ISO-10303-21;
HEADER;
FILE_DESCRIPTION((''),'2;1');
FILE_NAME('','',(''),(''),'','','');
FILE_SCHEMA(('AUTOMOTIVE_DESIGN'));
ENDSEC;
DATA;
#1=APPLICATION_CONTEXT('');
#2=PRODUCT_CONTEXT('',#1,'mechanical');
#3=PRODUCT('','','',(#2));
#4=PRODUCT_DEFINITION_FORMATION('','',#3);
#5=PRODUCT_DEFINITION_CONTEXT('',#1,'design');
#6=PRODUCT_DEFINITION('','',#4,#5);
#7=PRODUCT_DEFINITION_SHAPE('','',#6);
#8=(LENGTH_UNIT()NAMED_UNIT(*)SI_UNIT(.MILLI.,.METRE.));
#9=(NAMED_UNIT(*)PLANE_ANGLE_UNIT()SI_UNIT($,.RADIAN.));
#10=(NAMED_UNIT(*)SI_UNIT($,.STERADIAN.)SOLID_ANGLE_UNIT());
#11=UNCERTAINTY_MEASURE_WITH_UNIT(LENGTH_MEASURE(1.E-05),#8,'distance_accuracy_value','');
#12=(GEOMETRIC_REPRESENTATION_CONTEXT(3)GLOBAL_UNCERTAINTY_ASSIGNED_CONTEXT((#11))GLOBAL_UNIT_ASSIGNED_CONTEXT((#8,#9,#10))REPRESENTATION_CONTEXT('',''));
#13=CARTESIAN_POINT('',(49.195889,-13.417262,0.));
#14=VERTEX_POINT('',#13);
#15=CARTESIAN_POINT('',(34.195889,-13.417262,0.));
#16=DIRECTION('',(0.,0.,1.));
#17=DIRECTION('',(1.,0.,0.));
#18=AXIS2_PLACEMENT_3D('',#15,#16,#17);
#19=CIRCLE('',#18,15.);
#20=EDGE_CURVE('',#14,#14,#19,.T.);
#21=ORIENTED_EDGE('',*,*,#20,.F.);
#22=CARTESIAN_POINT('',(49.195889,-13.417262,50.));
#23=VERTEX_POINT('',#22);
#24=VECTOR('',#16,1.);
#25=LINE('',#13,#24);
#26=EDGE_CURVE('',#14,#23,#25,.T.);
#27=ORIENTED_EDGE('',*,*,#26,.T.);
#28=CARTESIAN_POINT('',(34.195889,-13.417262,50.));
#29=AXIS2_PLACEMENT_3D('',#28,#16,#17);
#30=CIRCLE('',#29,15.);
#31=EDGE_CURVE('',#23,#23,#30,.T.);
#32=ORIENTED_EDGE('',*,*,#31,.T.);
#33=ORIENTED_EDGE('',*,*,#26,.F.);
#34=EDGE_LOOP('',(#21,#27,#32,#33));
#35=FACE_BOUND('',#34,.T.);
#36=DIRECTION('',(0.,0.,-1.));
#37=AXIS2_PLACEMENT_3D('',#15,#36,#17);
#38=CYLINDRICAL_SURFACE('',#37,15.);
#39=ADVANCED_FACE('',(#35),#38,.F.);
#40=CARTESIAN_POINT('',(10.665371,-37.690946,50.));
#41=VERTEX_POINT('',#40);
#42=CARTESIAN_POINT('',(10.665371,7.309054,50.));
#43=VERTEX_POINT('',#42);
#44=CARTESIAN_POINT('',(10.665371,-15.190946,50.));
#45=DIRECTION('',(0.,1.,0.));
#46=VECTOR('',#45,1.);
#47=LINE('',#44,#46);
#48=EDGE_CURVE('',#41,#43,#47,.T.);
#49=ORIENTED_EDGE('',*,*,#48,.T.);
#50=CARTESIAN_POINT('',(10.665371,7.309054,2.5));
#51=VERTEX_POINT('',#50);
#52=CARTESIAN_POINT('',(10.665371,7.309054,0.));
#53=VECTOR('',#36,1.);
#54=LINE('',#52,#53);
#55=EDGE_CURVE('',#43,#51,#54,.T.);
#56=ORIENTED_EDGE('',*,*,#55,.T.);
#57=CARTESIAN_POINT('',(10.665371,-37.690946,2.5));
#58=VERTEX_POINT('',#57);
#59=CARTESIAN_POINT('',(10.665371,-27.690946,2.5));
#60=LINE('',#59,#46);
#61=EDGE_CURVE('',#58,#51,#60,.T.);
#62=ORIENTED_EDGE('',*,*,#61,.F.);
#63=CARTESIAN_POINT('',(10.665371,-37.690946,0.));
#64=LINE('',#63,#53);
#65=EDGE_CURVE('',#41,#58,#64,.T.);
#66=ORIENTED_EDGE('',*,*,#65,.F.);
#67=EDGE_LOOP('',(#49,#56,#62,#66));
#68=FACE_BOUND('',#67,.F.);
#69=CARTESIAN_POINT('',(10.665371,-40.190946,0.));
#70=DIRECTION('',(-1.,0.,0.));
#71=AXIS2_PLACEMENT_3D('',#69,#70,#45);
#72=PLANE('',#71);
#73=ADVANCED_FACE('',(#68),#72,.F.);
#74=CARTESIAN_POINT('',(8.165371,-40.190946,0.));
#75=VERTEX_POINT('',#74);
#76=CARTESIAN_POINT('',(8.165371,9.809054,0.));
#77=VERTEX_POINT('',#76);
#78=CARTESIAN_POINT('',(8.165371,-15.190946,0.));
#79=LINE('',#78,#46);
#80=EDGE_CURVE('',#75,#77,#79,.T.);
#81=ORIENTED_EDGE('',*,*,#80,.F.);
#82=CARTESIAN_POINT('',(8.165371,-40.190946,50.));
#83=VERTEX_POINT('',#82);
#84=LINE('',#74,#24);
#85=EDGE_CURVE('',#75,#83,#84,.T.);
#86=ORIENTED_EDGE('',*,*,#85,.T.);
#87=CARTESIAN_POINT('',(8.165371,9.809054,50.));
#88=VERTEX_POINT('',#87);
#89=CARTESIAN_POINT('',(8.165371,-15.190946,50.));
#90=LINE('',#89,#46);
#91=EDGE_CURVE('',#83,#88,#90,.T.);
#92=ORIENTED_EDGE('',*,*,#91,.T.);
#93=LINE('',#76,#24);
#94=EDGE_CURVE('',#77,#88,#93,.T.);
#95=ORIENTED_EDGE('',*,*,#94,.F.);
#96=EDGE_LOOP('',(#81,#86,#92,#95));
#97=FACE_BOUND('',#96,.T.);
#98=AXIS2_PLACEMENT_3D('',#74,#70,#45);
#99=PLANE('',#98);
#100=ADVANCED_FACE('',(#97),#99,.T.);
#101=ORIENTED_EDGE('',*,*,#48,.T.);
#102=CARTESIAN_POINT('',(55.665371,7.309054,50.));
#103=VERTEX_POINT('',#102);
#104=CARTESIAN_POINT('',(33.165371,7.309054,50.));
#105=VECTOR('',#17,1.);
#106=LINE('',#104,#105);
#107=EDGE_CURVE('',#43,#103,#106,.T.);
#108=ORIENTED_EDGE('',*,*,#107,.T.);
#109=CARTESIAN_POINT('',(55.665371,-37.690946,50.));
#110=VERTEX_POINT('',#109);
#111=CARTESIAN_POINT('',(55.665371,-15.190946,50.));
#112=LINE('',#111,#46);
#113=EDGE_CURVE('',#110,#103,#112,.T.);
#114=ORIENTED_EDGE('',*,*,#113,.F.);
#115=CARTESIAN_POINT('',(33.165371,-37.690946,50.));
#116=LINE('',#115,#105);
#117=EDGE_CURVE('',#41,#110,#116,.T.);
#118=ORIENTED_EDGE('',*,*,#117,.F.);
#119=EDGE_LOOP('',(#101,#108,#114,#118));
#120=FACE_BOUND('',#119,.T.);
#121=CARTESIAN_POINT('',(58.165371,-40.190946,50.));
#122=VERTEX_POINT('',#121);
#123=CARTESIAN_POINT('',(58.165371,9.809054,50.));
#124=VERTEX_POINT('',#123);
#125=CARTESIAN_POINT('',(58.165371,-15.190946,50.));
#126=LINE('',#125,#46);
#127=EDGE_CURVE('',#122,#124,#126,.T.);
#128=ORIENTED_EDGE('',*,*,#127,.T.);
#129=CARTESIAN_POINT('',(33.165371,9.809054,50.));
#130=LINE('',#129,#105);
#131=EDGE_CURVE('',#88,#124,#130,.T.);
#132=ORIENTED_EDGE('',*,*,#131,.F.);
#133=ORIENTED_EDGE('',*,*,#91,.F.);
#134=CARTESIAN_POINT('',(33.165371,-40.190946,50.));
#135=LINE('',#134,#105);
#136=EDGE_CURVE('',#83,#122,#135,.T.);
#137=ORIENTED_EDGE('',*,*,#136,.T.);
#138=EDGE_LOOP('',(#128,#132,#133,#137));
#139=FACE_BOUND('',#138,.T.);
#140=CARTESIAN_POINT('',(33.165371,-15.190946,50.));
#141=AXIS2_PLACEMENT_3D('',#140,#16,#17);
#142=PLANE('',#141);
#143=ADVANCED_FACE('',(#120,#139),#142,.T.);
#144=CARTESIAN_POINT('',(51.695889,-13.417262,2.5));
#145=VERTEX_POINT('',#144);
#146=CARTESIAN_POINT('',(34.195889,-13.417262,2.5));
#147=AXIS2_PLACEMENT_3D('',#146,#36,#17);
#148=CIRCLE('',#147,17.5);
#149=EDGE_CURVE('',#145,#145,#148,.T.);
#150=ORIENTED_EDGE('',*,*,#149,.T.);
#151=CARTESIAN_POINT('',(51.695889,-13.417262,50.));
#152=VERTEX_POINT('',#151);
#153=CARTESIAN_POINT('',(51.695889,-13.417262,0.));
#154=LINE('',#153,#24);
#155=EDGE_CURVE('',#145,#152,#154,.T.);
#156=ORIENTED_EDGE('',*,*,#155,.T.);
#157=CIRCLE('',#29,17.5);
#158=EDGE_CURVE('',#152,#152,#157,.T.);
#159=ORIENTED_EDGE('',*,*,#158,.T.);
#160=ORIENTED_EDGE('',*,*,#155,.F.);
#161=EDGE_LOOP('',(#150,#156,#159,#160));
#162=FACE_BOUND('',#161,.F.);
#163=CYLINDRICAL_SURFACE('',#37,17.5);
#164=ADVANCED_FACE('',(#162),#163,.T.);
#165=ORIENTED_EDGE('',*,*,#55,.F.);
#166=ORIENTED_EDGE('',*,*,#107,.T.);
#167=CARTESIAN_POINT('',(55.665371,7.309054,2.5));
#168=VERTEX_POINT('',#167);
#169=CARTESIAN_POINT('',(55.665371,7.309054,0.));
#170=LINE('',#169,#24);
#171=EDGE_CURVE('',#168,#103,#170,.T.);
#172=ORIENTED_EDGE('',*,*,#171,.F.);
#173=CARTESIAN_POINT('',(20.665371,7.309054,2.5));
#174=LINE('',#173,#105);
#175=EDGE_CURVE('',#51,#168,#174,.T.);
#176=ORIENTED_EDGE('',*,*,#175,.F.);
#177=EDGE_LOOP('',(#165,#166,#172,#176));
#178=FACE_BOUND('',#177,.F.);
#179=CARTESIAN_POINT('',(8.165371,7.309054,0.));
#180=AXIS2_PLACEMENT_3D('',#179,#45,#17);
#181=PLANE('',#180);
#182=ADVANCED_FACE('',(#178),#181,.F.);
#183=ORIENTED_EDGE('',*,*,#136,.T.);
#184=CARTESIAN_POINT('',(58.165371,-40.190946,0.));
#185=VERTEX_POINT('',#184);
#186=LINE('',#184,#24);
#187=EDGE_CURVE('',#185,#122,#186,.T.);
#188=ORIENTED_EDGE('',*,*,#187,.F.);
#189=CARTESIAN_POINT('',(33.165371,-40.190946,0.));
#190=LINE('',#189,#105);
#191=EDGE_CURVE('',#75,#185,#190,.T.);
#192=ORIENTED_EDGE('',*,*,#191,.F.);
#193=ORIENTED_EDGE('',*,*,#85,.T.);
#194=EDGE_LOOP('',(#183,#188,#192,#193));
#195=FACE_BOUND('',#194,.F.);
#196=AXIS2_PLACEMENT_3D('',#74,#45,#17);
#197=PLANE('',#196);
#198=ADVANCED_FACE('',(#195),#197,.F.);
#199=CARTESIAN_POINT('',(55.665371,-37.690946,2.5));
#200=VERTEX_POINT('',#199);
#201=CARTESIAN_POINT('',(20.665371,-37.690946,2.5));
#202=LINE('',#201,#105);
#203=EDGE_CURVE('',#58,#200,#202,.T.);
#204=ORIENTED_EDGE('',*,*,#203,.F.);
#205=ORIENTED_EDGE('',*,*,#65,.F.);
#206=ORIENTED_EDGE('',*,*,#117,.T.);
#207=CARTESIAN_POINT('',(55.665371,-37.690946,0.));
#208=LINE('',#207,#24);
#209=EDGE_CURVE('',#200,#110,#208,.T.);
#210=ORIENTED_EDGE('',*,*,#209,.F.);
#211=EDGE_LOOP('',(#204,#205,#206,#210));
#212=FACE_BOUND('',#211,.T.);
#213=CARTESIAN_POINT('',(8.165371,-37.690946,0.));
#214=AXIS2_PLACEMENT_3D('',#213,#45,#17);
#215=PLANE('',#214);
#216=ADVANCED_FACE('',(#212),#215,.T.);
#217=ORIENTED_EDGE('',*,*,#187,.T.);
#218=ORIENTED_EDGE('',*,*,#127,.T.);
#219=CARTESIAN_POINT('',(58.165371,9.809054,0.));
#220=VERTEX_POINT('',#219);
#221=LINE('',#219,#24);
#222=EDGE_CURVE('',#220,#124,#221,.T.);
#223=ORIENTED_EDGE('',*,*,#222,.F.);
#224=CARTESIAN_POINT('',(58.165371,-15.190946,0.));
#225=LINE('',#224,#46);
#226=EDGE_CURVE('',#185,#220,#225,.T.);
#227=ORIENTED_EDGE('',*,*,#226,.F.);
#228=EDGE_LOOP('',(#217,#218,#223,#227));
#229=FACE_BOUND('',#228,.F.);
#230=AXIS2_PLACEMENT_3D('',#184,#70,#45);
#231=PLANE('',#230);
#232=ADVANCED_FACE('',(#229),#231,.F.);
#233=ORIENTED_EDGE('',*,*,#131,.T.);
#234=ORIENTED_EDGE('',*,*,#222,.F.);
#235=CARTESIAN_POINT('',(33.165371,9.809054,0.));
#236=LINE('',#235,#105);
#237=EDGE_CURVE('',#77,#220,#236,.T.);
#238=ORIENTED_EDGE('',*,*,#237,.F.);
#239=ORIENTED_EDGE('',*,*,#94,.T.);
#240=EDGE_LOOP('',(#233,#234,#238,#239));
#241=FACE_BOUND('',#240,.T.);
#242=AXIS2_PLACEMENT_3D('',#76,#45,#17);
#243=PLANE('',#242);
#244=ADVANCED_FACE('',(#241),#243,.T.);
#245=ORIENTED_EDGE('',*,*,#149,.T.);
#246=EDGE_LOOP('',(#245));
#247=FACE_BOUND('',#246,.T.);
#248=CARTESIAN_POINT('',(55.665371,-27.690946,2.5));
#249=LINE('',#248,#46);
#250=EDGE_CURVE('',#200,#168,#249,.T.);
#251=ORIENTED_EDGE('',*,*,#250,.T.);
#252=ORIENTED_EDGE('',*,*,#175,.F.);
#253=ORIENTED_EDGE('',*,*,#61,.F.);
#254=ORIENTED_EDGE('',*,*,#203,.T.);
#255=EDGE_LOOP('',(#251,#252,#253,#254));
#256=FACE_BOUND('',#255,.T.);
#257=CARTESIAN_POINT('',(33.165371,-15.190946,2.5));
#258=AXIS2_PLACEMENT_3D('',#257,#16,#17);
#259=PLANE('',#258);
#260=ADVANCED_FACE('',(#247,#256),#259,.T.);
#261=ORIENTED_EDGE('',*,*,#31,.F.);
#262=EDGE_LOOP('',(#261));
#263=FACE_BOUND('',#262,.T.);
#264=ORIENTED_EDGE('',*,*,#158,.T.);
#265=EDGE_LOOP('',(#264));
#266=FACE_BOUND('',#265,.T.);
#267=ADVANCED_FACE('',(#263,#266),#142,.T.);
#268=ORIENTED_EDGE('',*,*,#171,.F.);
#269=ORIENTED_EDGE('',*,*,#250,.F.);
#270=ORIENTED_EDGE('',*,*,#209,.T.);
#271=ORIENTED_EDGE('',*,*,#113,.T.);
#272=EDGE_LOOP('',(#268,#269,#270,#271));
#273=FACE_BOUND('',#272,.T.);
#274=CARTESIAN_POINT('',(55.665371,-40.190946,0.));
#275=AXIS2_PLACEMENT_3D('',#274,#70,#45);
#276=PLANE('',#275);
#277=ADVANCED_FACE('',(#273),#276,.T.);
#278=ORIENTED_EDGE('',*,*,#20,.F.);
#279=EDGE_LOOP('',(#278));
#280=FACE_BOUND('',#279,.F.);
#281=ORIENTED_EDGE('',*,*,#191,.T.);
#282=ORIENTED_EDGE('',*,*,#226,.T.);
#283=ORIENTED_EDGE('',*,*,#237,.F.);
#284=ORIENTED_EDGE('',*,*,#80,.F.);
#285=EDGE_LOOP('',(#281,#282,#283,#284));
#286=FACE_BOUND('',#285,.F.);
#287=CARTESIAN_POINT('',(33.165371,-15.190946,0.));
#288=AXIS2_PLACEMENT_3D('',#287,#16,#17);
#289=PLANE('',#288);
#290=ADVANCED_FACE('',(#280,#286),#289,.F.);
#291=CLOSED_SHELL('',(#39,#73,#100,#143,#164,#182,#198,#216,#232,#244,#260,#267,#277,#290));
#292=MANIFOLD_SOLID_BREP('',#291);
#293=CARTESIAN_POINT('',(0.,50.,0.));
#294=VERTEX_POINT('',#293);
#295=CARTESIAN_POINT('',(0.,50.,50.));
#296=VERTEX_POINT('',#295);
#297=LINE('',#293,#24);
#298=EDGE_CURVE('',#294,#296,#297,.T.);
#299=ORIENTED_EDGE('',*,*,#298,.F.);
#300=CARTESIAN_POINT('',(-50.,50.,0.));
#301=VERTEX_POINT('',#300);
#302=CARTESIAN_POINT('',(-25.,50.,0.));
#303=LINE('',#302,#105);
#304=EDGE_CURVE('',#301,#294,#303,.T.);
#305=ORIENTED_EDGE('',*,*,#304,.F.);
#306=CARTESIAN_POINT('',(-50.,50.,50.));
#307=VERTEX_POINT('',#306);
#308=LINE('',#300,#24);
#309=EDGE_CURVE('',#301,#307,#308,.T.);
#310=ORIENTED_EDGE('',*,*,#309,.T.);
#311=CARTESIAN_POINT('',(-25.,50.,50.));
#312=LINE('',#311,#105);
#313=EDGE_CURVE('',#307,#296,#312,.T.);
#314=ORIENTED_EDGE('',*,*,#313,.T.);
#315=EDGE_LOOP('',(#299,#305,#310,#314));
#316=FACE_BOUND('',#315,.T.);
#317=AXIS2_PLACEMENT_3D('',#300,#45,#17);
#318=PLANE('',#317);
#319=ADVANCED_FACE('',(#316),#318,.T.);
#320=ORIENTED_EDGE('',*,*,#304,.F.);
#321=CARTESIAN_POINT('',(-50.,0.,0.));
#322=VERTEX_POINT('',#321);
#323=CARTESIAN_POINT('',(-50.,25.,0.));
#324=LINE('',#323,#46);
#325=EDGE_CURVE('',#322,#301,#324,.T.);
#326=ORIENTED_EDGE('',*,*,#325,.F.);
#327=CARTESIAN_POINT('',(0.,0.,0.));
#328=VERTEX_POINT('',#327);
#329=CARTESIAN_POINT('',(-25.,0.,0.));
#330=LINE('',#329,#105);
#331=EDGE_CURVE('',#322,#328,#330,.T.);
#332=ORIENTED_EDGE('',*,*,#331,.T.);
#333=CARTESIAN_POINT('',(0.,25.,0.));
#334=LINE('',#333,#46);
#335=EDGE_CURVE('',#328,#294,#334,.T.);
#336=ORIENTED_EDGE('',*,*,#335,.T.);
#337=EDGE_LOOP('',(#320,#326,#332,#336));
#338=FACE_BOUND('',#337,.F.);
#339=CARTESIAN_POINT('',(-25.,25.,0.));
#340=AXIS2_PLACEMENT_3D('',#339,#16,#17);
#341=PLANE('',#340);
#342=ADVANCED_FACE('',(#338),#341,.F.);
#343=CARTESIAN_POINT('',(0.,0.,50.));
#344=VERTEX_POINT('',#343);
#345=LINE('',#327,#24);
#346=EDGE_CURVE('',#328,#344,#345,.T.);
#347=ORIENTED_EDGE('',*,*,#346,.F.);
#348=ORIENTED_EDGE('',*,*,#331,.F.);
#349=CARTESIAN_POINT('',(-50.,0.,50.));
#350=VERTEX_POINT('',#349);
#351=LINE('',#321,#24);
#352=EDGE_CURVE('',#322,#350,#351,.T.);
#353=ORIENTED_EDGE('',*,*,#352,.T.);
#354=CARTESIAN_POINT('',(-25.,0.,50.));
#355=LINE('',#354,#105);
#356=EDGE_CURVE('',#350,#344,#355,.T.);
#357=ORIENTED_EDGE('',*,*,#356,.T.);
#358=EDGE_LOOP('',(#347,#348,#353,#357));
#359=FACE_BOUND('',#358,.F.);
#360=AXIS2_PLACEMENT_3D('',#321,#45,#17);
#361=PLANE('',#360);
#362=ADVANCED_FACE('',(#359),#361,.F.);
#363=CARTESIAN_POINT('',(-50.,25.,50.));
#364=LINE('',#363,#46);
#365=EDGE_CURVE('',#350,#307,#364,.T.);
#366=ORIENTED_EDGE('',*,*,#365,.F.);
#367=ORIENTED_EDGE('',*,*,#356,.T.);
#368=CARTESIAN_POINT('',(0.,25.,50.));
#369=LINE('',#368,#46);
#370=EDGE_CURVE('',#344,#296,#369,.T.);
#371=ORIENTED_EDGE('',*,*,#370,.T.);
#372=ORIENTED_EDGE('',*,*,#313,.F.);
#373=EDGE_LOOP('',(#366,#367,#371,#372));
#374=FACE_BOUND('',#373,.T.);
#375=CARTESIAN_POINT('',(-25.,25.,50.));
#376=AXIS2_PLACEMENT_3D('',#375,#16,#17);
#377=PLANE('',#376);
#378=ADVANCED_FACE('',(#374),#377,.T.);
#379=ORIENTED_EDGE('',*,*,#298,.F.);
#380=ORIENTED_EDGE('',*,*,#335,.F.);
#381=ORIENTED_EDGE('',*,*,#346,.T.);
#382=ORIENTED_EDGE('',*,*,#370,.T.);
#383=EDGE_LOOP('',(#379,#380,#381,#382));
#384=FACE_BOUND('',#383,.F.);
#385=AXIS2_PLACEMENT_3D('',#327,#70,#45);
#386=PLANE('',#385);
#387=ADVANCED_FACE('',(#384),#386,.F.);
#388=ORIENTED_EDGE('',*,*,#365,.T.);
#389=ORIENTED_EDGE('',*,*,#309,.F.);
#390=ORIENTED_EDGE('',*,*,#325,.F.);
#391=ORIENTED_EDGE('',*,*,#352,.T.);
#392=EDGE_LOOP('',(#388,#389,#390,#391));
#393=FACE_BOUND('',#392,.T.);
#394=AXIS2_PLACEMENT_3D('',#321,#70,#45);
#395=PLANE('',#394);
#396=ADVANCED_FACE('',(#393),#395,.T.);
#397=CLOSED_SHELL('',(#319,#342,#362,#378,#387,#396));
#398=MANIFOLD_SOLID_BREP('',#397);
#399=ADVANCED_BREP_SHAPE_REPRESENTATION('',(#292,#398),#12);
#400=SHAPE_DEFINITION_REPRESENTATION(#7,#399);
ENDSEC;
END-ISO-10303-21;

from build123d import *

# Parameters (mm, degrees)
F0_W     = 50
F0_H     = 50
F1_DEPTH = 50
F2_W     = 50
F2_H     = 50
F2_R     = 15
F3_DEPTH = 50
F4_T     = -2.5


with BuildPart() as f1:
    # F0 (on Top) → F1 (new body)
    with BuildSketch(Plane.XY):
        with Locations((-25, 25)):
            Rectangle(F0_W, F0_H)
    extrude(amount=F1_DEPTH)


with BuildPart() as f3:
    # F2 (on Top) → F3 (new body)
    with BuildSketch(Plane.XY):
        with Locations((33.165371, -15.190946)):
            Rectangle(F2_W, F2_H)
        with Locations((34.195889, -13.417262)):
            Circle(F2_R, mode=Mode.SUBTRACT)
    extrude(amount=F3_DEPTH)

    # F4
    f4_openings = [f3.faces().sort_by_distance(p)[0] for p in [
        (8.872477, -15.190946, 50),
    ]]
    offset(amount=F4_T, openings=f4_openings)


solid = Compound([f1.part, f3.part])
